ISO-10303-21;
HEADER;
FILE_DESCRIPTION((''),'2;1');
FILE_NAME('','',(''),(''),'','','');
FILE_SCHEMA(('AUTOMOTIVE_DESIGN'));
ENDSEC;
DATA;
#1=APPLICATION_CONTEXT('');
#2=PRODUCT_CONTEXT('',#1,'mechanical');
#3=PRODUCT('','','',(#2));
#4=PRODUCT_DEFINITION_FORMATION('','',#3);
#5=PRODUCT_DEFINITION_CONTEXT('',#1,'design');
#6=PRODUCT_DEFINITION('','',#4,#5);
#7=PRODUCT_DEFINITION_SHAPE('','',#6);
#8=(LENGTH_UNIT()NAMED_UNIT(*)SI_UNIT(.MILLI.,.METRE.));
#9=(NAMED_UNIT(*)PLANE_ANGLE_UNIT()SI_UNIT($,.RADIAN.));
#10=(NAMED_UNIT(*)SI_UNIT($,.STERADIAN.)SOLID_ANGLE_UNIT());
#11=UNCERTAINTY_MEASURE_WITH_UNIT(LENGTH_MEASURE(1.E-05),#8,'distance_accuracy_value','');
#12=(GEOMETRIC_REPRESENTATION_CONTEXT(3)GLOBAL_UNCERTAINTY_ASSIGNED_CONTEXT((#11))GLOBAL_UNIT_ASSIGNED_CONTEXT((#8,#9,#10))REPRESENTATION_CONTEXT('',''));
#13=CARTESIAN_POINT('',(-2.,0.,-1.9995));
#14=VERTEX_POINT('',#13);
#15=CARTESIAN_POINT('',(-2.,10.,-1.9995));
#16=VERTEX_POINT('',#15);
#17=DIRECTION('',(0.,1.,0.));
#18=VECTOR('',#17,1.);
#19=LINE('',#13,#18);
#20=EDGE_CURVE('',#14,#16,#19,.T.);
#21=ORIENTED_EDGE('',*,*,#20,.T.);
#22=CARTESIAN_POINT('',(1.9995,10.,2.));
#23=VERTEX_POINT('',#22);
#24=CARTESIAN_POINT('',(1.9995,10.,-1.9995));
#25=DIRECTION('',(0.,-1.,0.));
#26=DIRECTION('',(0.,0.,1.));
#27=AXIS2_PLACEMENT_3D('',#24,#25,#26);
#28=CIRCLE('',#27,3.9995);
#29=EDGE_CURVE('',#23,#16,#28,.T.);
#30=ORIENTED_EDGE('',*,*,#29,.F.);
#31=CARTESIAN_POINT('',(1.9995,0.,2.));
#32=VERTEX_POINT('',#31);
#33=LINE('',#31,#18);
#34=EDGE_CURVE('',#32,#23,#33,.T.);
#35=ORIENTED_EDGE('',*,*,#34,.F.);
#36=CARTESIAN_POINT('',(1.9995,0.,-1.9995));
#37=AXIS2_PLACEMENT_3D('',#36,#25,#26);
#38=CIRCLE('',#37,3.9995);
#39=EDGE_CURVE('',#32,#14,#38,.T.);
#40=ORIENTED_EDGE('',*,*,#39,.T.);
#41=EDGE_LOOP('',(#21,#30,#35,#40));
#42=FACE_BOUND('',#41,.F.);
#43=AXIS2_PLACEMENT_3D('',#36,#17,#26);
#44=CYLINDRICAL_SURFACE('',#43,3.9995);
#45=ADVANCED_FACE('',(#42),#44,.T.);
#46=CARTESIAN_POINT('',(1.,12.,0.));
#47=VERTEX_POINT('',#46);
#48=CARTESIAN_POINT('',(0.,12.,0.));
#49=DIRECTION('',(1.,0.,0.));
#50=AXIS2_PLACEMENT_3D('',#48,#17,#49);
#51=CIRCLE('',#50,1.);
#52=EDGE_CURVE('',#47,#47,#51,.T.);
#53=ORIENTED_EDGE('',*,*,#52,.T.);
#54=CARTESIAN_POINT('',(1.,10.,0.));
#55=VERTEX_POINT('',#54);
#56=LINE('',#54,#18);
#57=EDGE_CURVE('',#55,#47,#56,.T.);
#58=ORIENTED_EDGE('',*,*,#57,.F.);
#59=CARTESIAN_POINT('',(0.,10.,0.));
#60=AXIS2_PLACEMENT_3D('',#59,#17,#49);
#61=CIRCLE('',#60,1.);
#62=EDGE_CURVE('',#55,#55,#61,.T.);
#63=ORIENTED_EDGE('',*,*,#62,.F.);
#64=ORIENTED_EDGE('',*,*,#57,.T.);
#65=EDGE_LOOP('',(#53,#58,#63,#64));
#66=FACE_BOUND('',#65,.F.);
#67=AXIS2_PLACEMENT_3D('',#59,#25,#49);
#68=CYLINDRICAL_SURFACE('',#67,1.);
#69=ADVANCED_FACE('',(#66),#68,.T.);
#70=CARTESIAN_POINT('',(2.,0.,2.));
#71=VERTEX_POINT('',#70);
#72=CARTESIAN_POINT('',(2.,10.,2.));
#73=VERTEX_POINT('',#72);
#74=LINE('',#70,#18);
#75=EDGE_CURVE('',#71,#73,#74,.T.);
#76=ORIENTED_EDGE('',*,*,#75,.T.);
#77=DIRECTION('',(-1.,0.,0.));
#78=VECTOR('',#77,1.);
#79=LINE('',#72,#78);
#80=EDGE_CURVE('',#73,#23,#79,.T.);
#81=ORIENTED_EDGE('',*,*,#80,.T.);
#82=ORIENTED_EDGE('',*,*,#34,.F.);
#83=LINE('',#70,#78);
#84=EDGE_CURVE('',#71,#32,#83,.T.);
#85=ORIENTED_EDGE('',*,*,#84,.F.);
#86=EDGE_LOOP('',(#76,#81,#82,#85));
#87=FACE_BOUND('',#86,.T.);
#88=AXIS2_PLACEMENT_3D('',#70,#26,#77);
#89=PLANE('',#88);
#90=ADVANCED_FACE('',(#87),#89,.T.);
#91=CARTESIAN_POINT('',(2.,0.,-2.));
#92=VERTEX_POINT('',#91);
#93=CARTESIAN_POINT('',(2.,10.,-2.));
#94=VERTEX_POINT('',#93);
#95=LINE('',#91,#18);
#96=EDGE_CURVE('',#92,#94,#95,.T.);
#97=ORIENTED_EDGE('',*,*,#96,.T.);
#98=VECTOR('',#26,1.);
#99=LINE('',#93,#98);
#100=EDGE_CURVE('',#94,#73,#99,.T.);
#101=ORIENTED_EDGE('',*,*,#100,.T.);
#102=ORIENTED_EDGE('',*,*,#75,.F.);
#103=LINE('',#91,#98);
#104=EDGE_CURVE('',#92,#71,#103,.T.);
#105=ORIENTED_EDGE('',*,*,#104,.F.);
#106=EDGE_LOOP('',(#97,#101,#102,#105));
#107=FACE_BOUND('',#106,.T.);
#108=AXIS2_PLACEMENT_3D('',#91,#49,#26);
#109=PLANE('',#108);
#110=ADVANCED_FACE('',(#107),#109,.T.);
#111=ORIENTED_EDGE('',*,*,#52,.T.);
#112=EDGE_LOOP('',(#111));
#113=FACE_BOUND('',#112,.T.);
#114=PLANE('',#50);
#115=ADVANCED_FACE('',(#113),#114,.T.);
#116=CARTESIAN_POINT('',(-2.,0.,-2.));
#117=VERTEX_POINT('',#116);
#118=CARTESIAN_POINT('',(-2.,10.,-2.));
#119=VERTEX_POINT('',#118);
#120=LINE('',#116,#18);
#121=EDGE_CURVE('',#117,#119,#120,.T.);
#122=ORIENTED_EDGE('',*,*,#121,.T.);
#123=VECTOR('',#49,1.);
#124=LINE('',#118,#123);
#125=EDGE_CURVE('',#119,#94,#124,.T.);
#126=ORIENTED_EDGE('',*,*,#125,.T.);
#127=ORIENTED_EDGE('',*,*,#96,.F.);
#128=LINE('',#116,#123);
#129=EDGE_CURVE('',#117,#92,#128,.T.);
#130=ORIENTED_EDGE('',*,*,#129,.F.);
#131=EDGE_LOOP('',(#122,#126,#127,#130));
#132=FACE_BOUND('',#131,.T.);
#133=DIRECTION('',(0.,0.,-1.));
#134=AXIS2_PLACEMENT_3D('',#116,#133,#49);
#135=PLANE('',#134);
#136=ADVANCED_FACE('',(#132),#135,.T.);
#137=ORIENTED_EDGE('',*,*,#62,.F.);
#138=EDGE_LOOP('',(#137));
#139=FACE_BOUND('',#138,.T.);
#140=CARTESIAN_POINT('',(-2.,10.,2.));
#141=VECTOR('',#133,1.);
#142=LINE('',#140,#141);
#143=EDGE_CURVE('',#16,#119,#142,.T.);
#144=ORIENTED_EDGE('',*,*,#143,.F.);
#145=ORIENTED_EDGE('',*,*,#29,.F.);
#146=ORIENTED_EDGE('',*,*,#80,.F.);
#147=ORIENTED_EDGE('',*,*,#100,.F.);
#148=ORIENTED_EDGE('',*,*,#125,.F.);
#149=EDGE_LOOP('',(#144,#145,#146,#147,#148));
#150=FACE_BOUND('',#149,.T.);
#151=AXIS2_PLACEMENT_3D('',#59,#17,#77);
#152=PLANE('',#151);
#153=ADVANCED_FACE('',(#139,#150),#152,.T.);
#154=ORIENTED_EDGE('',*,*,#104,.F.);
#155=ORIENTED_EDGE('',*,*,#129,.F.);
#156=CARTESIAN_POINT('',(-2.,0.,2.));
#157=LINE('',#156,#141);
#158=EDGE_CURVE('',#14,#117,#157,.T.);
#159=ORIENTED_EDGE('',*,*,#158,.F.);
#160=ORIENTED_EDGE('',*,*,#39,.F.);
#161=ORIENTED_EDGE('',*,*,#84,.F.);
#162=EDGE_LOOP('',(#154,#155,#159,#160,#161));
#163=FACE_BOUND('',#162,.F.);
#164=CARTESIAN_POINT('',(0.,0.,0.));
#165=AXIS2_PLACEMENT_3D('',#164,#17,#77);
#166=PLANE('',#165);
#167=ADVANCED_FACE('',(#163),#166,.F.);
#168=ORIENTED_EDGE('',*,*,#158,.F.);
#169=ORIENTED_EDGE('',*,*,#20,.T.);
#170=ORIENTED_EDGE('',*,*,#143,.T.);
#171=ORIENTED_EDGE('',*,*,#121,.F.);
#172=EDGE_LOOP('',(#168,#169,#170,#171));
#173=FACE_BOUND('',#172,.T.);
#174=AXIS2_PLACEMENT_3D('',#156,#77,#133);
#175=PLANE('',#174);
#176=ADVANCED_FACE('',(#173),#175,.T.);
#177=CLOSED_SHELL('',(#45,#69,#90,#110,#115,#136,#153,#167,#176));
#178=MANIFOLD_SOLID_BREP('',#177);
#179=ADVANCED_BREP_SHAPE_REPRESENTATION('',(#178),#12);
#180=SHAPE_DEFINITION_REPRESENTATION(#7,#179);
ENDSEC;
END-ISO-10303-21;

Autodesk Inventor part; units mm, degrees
ref_plane "YZ Plane" through (0, 0, 0) normal (1, 0, 0) x (0, 1, 0)
ref_plane "XZ Plane" through (0, 0, 0) normal (0, 1, 0) x (-1, 0, 0)
ref_plane "XY Plane" through (0, 0, 0) normal (0, 0, 1) x (1, 0, 0)
sketch "Szkic1" plane through (0, 0, 0) normal (0, 1, 0) x (-1, 0, 0)
  line L0 (-2, 2) -> (2, 2)
  line L1 (2, 2) -> (2, -2)
  line L2 (2, -2) -> (-2, -2)
  line L3 (-2, -2) -> (-2, 2)
  line L4 (-2, 2) -> (2, -2) construction
  line L5 (2, 2) -> (-2, -2) construction
  point P0 (0, 0)
  dimension "d0" = 4
  dimension "d1" = 4
extrude "Wyciągnięcie proste1" add sketch "Szkic1" along normal blind 10
fillet "Zaokrąglenie1" radius 4 1 edges at (-2, 5, 2)
sketch "Szkic2" plane through (0, 10, 0) normal (0, 1, 0) x (1, 0, 0)
  circle A0 centre (0, 0) radius 1
  dimension "d5" = 2
extrude "Wyciągnięcie proste2" add sketch "Szkic2" along normal blind 2
properties part number "FanLegs"
